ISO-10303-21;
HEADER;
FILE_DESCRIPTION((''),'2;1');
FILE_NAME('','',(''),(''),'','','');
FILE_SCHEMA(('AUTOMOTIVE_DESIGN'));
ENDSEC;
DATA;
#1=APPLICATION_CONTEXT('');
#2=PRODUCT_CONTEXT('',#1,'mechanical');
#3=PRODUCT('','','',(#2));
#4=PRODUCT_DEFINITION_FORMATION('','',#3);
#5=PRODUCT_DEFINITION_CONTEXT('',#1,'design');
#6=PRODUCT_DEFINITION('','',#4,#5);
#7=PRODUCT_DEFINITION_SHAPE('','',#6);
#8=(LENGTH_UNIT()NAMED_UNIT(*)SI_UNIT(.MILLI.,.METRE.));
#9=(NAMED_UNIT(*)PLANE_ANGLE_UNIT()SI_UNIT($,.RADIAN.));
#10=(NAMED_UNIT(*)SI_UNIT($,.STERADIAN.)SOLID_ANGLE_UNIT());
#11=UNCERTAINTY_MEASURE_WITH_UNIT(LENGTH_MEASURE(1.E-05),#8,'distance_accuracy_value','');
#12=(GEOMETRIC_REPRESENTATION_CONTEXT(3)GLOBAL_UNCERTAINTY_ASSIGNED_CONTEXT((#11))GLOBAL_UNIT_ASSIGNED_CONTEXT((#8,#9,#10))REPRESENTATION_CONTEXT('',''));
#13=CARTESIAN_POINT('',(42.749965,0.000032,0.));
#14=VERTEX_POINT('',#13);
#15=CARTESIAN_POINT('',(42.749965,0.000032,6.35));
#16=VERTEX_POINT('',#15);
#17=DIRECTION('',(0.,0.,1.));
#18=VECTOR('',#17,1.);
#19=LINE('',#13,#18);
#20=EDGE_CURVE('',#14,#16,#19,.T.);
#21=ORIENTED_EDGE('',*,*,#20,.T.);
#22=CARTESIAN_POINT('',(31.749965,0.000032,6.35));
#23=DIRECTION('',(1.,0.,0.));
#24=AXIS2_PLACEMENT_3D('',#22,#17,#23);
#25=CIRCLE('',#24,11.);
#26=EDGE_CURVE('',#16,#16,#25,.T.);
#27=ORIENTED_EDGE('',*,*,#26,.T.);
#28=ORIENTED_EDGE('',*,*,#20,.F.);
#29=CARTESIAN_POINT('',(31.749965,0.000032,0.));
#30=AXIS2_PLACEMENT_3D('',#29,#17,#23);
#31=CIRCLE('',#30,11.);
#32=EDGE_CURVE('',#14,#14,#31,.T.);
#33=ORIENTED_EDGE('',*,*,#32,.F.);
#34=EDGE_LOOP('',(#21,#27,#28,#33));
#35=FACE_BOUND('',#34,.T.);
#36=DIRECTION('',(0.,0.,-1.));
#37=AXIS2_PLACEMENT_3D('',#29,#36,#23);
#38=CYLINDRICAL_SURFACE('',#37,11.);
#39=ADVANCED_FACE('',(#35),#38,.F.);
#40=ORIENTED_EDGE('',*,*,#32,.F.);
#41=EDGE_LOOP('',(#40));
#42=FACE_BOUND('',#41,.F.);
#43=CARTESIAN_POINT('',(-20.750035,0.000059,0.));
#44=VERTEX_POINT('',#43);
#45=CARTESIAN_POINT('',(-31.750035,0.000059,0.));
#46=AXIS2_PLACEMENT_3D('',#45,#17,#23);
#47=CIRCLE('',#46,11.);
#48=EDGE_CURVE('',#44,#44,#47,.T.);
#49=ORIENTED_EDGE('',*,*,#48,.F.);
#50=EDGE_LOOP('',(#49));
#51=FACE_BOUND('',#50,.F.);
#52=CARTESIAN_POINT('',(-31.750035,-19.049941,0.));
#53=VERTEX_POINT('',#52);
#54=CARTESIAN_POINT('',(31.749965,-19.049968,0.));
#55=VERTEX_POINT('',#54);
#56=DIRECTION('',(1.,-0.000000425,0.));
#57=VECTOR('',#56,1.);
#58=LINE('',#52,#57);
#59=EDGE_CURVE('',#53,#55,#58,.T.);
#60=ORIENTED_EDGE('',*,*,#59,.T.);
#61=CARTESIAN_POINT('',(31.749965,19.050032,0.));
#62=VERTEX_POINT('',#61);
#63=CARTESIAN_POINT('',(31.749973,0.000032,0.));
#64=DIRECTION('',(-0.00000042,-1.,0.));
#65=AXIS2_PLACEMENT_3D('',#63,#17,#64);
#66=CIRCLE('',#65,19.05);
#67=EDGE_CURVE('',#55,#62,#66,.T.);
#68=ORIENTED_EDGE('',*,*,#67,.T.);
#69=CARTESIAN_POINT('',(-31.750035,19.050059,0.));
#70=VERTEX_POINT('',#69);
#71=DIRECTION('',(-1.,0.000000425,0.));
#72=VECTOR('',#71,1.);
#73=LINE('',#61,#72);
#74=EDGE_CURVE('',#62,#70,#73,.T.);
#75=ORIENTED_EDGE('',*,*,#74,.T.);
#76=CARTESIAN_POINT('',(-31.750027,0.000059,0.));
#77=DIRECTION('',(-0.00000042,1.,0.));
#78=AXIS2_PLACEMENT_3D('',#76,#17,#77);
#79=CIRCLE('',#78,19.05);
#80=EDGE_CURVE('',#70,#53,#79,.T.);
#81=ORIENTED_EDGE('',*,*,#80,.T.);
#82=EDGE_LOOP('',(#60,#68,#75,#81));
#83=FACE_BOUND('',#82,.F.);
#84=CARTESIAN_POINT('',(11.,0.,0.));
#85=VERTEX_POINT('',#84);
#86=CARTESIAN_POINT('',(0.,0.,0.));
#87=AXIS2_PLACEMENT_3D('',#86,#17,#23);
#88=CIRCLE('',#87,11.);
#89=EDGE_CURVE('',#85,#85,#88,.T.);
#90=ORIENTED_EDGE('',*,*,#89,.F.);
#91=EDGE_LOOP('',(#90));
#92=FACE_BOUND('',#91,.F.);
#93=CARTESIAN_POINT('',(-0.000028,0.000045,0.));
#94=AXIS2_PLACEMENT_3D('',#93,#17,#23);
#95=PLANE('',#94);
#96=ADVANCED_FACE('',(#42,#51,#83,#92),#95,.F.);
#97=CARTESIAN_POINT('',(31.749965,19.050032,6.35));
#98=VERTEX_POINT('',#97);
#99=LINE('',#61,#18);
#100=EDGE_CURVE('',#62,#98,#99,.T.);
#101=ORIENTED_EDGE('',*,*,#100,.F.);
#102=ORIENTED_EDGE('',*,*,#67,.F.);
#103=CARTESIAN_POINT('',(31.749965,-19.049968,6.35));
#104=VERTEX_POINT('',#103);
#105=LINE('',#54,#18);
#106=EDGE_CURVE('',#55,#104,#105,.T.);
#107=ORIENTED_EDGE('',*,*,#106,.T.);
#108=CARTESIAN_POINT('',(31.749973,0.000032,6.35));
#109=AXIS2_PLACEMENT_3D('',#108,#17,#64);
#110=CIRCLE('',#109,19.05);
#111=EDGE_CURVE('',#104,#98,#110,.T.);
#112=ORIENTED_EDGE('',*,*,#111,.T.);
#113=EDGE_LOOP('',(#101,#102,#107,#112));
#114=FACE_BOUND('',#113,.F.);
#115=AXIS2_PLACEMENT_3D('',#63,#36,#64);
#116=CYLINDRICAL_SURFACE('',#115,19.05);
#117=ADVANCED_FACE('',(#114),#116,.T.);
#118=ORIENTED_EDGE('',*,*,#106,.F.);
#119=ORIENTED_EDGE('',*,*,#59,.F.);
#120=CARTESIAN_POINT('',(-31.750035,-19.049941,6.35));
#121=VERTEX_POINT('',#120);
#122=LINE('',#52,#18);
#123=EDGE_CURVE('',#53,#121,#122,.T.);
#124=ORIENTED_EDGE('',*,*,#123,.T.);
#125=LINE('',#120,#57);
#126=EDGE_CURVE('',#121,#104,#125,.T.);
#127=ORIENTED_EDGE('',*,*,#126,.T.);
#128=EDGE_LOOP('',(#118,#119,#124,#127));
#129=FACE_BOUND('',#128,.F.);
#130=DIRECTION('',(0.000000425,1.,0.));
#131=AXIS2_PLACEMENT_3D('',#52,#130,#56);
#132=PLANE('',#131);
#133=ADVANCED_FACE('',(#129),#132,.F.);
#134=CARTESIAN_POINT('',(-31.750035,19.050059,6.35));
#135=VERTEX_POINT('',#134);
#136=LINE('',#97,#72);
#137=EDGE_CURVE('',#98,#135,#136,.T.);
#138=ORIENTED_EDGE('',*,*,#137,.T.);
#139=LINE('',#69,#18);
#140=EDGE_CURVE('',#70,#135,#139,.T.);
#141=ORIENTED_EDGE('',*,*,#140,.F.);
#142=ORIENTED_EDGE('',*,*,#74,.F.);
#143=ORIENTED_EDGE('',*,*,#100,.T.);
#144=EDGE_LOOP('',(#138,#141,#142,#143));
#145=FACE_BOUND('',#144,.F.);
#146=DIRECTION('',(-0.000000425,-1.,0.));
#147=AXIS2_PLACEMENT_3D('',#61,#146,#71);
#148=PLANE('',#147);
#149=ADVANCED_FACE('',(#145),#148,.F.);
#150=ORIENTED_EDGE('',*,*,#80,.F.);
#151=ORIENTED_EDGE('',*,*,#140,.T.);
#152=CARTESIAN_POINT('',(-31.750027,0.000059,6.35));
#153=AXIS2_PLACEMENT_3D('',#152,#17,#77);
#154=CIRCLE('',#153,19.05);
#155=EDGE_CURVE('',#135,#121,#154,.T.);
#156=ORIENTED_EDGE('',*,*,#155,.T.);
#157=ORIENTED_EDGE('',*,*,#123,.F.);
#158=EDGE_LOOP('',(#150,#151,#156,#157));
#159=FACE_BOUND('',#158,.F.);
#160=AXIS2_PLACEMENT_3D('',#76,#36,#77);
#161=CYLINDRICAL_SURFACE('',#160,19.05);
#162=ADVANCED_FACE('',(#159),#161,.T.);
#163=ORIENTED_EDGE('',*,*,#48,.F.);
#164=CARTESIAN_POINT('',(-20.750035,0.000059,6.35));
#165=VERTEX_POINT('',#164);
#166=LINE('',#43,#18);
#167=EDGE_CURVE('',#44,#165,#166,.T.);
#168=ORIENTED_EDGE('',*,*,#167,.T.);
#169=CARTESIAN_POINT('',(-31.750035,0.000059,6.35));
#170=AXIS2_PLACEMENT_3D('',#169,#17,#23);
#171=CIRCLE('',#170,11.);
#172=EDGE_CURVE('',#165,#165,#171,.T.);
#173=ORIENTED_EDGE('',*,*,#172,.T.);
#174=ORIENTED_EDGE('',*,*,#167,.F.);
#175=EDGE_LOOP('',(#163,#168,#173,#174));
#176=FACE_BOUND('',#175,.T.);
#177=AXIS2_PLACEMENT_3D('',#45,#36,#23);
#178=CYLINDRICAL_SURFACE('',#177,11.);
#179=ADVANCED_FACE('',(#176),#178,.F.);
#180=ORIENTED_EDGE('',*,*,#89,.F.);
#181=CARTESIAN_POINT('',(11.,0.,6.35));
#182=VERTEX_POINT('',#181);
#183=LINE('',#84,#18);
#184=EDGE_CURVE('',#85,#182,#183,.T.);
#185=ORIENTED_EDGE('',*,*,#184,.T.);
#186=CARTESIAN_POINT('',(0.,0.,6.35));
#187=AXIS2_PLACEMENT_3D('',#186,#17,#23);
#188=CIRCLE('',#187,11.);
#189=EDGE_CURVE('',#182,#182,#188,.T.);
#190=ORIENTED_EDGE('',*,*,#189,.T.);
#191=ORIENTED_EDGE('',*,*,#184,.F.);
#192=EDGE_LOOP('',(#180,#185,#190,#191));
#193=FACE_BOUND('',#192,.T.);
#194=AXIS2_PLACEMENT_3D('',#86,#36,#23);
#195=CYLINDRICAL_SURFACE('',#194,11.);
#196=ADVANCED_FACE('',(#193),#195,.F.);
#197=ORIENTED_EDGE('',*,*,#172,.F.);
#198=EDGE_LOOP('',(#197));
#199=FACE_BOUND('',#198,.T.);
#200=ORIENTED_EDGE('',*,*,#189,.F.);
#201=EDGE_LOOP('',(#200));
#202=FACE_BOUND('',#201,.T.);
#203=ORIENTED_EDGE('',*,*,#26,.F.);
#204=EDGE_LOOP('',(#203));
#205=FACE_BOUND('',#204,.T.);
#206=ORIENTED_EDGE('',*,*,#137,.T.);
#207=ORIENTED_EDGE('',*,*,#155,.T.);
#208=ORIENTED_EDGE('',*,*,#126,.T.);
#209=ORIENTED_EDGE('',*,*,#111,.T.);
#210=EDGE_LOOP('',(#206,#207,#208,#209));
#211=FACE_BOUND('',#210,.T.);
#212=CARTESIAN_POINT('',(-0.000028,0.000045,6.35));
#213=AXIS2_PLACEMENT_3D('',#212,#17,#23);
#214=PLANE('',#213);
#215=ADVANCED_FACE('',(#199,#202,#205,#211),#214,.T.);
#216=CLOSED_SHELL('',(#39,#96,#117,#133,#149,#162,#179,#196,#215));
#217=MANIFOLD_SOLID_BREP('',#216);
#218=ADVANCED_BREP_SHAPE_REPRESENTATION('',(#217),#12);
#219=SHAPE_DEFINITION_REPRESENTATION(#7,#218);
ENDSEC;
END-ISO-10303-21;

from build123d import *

# Parameters (mm, degrees)
F0_R     = 11
F1_DEPTH = 6.35


with BuildPart() as f1:
    # F0 (on Top) → F1 (new body)
    with BuildSketch(Plane.XY):
        with BuildLine():
            Line((31.749965, 19.050032), (-31.750035, 19.050059))
            ThreePointArc((-31.750035, 19.050059), (-50.800027, 5.9e-05), (-31.750035, -19.049941))
            Line((-31.750035, -19.049941), (31.749965, -19.049968))
            ThreePointArc((31.749965, -19.049968), (50.799973, 3.2e-05), (31.749965, 19.050032))
        make_face()
        Circle(F0_R, mode=Mode.SUBTRACT)
        with Locations((31.749965, 3.2e-05)):
            Circle(F0_R, mode=Mode.SUBTRACT)
        with Locations((-31.750035, 5.9e-05)):
            Circle(F0_R, mode=Mode.SUBTRACT)
    extrude(amount=F1_DEPTH)


solid = f1.part
